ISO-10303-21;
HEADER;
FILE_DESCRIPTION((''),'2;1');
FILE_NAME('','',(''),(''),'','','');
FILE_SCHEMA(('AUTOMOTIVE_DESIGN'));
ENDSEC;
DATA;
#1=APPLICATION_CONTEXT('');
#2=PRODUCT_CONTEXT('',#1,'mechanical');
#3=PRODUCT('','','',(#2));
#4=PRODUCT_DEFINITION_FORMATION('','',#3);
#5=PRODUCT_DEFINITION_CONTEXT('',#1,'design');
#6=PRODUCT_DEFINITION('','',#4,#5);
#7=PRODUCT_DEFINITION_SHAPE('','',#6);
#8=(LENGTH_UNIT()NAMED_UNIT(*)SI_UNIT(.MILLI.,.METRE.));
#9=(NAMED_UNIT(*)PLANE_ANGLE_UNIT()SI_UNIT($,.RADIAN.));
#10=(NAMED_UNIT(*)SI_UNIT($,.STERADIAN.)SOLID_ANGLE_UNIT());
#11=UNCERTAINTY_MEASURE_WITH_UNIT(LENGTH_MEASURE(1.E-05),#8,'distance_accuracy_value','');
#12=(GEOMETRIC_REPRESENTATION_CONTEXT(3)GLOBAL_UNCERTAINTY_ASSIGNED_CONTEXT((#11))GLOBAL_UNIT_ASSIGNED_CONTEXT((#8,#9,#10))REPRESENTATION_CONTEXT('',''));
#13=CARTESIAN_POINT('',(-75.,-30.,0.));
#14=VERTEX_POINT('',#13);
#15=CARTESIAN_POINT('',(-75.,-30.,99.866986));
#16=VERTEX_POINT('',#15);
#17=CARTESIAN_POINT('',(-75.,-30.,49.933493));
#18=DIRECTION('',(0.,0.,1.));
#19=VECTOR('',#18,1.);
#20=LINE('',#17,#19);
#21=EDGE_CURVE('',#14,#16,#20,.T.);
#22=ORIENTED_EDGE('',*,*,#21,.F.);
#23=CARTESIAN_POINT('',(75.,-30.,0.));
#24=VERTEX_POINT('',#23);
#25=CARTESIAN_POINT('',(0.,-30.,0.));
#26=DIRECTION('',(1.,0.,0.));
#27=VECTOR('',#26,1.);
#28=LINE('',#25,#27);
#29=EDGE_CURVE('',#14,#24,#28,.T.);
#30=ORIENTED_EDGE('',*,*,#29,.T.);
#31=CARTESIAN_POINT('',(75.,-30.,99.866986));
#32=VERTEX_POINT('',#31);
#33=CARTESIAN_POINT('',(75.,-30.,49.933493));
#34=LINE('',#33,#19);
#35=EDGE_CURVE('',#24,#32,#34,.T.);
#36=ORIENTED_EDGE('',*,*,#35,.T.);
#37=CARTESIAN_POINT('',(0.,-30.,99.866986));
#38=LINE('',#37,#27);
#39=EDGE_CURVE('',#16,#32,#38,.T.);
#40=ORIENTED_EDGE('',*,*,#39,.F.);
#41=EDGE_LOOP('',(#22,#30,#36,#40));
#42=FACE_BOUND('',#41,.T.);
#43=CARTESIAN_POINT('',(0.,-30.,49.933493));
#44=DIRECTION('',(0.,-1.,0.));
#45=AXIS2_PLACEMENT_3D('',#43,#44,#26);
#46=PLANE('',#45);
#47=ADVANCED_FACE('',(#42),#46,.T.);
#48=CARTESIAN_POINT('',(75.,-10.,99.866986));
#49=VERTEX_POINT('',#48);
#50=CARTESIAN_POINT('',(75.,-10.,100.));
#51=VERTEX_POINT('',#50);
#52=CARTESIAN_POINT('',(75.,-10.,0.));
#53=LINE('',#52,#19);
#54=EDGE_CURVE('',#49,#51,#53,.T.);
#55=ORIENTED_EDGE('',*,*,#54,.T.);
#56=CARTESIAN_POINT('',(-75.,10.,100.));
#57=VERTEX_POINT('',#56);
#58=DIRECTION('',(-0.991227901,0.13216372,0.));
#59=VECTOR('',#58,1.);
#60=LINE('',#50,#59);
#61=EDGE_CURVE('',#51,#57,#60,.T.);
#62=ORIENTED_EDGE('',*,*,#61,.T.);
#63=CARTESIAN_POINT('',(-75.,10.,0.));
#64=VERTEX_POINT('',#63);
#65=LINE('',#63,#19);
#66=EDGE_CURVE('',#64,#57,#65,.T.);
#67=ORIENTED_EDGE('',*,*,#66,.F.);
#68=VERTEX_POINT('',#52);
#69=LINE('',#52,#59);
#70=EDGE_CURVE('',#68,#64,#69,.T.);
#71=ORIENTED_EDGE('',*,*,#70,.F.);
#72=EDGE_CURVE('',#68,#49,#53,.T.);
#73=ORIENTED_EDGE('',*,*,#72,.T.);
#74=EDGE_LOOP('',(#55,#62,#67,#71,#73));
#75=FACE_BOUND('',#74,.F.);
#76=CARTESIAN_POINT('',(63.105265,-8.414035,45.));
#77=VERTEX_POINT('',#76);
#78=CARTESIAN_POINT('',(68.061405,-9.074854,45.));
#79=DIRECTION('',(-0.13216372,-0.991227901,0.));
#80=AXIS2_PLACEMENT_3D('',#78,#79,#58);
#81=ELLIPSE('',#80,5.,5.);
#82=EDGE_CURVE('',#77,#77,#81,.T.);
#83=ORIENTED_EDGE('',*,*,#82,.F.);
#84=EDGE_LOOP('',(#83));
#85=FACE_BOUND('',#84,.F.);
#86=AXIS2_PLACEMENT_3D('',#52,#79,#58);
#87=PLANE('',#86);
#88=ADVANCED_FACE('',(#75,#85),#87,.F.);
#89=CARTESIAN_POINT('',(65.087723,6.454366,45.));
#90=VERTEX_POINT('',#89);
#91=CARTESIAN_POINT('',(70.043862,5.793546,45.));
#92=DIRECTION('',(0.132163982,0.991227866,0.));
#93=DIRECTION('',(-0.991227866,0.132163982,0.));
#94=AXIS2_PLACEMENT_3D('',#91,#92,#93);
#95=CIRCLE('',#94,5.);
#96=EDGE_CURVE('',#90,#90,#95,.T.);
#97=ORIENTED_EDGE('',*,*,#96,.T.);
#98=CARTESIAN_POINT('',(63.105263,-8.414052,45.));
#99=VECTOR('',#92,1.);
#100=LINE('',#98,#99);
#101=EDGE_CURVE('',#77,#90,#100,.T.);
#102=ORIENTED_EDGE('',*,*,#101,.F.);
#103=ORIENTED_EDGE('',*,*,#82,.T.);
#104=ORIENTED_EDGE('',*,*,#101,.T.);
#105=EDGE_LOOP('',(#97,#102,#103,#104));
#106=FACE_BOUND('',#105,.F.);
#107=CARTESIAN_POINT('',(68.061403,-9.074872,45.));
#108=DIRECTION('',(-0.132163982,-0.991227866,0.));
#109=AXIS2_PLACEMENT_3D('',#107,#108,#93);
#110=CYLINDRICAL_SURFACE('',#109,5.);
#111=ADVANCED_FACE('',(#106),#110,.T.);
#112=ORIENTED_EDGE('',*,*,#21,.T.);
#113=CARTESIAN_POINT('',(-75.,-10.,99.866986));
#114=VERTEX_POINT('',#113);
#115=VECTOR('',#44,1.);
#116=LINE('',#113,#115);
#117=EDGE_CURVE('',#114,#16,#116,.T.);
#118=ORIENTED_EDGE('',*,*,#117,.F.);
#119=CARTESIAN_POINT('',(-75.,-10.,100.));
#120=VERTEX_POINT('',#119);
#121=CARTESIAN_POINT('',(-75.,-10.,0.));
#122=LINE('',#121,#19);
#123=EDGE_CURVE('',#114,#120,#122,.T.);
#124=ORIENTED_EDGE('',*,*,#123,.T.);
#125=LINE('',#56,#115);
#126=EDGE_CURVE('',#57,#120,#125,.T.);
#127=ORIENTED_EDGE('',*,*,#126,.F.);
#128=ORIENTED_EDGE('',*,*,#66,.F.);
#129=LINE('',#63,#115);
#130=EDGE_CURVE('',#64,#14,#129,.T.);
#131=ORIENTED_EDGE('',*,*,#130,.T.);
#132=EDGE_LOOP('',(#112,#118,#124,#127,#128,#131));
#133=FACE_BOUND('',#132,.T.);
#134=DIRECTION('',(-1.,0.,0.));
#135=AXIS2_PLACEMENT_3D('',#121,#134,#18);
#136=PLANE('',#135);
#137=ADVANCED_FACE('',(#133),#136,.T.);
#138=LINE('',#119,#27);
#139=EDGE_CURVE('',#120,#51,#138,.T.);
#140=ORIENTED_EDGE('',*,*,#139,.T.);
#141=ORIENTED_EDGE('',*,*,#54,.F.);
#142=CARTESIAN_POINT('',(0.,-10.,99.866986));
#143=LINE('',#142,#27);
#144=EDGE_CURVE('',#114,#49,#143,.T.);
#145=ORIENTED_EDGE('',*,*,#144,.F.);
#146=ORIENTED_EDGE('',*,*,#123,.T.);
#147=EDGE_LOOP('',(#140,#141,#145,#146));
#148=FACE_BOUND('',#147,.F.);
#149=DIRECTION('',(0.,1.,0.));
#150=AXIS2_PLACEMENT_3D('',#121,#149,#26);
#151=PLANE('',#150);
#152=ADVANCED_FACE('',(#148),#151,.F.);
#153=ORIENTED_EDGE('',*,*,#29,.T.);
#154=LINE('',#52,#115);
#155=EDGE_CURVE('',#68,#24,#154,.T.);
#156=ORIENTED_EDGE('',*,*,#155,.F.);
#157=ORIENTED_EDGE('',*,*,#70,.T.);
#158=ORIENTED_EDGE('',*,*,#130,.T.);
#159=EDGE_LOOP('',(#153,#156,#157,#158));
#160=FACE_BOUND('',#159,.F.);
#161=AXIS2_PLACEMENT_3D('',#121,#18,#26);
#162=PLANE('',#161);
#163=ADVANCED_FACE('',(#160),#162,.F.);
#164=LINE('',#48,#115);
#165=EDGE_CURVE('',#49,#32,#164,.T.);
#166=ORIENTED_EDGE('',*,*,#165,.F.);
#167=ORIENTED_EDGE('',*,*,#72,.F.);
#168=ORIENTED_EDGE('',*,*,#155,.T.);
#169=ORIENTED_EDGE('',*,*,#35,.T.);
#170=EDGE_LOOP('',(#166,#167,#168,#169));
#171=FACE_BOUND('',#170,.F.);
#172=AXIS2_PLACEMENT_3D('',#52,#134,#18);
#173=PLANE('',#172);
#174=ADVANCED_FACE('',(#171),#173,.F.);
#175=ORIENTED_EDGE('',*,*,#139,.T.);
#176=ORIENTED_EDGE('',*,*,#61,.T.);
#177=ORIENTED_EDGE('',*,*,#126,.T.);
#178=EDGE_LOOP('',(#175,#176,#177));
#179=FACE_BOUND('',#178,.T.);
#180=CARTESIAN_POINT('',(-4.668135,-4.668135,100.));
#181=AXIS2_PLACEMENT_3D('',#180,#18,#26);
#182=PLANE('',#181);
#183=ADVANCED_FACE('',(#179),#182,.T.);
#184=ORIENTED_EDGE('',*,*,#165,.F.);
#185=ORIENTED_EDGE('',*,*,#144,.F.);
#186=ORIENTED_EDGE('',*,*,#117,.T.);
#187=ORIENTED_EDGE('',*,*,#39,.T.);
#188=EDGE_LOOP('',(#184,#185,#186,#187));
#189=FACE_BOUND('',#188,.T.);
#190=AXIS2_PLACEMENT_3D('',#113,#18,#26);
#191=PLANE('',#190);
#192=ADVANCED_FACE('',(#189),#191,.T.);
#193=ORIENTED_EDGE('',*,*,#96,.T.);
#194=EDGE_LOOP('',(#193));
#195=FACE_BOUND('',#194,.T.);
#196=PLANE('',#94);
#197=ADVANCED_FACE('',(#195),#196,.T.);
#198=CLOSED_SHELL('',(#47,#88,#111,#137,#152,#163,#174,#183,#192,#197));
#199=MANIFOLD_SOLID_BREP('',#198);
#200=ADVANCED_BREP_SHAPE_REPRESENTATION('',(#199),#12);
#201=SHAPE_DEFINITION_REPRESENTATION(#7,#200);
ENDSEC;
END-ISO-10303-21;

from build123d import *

# Parameters (mm, degrees)
F1_DEPTH = 100
F2_W     = 150
F2_H     = 99.866986
F3_DEPTH = 20
F4_R     = 5
F5_DEPTH = 15


with BuildPart() as f1:
    # F0 (on Top) → F1 (new body)
    with BuildSketch(Plane.XY):
        Polygon((-75, -10), (75, -10), (-75, 10), align=None)
    extrude(amount=F1_DEPTH)

    # F2 (on face) → F3 (join)
    with BuildSketch(Plane.XZ.offset(10)):
        with Locations((0, 49.933493)):
            Rectangle(F2_W, F2_H)
    extrude(amount=F3_DEPTH)

    # F4 (on face) → F5 (join)
    with BuildSketch(Plane(origin=(0, 0, 0), x_dir=(-0.991228, 0.132164, 0), z_dir=(0.132164, 0.991228, 0))):
        with Locations((-68.66373, 45)):
            Circle(F4_R)
    extrude(amount=F5_DEPTH)


solid = f1.part
